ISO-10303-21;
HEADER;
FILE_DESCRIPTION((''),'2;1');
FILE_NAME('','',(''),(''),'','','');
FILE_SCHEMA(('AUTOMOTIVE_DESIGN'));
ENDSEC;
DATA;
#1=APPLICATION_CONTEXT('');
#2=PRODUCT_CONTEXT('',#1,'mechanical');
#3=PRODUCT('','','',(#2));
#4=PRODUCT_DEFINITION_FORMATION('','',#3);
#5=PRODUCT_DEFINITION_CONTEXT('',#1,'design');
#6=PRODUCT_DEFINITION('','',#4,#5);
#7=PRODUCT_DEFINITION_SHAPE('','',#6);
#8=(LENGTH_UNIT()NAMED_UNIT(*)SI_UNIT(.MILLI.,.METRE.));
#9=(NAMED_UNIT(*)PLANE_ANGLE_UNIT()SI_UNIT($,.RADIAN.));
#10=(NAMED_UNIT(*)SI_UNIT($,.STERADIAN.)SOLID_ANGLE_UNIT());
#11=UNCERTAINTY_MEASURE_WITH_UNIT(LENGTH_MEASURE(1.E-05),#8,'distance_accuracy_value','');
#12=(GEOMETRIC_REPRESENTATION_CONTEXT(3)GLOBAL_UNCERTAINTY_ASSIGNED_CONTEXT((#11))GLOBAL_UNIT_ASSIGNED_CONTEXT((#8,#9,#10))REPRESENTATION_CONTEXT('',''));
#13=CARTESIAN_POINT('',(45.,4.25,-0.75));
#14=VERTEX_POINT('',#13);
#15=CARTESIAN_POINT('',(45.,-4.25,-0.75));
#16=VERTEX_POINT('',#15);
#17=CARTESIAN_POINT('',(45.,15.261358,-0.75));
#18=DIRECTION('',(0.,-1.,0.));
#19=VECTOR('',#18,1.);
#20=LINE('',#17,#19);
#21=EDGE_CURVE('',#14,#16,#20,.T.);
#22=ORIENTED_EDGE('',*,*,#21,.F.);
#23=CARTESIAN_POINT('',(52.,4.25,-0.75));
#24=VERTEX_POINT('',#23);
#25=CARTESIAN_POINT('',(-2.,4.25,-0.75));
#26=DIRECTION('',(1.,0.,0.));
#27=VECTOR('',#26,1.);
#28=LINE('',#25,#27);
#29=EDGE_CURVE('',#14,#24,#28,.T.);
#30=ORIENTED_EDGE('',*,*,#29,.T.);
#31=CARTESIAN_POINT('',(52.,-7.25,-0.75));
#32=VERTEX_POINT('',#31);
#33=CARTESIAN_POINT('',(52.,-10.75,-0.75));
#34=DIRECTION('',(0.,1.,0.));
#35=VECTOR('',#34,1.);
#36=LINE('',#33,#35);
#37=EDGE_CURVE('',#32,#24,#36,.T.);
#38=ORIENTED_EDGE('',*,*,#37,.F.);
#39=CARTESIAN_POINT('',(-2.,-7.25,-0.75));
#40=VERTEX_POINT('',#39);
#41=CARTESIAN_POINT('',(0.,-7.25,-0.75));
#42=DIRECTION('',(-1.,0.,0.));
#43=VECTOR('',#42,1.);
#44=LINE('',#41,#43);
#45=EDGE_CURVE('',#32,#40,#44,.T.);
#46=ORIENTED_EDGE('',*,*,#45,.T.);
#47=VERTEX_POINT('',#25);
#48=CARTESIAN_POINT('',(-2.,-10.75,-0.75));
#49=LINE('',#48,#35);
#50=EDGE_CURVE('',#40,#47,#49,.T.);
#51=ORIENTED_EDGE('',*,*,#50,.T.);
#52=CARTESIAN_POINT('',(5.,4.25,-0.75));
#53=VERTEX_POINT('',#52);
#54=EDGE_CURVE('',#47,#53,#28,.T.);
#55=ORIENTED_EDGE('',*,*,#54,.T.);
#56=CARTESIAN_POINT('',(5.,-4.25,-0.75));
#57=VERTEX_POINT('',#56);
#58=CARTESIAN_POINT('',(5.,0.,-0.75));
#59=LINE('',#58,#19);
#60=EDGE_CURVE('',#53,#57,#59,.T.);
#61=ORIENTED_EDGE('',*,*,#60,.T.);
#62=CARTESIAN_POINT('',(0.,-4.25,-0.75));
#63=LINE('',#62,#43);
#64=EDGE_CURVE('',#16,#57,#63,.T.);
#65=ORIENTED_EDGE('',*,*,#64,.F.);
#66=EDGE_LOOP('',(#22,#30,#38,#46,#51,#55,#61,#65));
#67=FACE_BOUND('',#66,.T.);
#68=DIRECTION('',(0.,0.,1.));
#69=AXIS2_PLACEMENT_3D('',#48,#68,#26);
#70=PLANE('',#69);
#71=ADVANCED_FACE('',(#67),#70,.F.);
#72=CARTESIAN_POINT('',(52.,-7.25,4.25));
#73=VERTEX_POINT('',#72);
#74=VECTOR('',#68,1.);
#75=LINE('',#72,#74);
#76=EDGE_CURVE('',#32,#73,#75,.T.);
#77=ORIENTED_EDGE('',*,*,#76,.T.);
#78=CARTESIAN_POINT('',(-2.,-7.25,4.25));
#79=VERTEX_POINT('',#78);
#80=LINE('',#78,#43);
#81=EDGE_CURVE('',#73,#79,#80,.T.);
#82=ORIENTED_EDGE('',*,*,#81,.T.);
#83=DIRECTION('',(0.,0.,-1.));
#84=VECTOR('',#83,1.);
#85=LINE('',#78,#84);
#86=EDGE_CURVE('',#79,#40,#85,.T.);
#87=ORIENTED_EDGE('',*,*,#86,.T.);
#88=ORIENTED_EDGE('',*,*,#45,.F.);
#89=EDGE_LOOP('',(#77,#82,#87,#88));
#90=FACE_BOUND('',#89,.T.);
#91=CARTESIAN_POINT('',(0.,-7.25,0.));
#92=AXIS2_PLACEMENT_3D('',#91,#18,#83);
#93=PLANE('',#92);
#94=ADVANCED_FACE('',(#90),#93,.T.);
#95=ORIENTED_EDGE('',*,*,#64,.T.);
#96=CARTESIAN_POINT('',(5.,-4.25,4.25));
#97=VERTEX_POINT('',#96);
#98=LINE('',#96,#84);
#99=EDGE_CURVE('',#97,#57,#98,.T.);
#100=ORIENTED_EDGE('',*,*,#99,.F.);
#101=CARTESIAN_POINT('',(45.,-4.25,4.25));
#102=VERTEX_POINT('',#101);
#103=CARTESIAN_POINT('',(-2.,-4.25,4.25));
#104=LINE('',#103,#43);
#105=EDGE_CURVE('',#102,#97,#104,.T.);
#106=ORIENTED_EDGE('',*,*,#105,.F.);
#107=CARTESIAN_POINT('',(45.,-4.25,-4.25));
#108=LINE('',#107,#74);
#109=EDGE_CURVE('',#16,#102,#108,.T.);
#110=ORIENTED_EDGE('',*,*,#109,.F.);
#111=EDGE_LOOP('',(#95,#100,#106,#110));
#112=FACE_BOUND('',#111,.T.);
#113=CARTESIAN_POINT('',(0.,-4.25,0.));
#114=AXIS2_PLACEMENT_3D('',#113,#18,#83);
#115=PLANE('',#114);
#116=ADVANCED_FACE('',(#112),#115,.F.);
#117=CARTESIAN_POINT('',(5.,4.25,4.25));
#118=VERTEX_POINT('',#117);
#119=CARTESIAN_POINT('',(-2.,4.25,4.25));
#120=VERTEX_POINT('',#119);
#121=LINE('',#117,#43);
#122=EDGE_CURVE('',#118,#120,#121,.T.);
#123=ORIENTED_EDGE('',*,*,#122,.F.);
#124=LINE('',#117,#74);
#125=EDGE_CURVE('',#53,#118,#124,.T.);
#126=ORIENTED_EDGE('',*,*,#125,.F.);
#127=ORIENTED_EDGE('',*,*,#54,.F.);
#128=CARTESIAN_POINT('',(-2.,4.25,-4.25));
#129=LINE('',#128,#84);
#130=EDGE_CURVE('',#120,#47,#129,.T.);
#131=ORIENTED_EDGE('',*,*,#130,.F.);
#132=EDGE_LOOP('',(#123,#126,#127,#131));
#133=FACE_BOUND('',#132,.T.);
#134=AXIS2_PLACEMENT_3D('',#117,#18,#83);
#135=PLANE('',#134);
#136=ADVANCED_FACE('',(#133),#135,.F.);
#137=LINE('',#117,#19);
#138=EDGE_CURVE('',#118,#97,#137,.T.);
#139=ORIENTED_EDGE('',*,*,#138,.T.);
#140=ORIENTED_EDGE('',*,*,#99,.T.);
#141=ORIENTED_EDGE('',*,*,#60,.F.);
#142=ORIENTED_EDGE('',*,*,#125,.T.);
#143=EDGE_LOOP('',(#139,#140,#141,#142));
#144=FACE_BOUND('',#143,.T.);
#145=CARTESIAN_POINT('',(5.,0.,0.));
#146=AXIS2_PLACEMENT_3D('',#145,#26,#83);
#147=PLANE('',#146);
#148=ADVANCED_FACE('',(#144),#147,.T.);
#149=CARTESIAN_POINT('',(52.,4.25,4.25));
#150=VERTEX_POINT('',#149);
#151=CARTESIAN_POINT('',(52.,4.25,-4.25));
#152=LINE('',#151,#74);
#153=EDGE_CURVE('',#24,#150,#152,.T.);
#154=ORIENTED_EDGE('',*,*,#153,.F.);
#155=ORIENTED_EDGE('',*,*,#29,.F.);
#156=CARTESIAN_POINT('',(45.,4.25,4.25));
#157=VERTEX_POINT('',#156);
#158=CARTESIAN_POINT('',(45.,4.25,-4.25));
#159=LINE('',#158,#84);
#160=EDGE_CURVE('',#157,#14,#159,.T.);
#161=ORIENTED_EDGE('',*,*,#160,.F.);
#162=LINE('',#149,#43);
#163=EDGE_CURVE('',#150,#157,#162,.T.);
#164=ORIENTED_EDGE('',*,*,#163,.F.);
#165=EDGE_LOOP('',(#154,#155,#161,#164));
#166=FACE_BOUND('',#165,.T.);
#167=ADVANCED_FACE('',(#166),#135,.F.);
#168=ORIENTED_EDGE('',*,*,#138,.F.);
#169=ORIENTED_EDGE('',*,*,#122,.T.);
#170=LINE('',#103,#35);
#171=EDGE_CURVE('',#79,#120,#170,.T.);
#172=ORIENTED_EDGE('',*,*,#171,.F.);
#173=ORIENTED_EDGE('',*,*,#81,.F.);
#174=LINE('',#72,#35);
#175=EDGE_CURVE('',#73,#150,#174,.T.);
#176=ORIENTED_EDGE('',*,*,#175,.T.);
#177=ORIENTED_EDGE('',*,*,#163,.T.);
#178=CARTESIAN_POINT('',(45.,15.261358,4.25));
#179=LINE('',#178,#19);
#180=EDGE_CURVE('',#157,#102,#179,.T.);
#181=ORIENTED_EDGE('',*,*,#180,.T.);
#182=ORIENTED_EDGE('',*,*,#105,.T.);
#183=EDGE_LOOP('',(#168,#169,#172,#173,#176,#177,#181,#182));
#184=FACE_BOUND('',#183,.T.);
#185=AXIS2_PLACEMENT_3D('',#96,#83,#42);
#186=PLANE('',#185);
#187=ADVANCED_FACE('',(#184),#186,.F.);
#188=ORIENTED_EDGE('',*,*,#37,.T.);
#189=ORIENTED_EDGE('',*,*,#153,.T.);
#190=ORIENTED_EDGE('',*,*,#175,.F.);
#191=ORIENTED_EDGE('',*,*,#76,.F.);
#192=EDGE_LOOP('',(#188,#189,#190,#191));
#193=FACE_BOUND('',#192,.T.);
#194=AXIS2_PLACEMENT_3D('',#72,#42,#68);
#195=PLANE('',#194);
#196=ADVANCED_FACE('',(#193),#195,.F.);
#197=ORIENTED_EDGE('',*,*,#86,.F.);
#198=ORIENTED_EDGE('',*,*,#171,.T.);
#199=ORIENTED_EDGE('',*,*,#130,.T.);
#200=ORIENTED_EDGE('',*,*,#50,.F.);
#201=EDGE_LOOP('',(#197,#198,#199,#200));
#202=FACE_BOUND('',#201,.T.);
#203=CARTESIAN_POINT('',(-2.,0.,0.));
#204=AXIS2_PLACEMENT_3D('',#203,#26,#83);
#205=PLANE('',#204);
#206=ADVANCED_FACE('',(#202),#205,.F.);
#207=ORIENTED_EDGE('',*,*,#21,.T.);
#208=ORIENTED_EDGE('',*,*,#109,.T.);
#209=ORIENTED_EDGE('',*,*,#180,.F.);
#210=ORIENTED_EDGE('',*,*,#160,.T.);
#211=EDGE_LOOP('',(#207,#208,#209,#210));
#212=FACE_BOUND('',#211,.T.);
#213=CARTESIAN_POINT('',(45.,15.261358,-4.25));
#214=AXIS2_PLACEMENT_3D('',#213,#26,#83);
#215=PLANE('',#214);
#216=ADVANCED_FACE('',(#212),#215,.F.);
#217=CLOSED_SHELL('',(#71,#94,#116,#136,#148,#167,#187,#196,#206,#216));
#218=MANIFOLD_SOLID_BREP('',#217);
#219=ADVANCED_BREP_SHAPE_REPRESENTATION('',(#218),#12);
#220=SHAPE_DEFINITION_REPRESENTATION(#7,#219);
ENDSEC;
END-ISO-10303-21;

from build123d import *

# Parameters (mm, degrees)
SKETCH1_W           = 8.5
SKETCH1_H           = 8.5
BOSS_EXTRUDE1_DEPTH = 5
SKETCH2_W           = 8.5
SKETCH2_H           = 8.5
BOSS_EXTRUDE2_DEPTH = 2
SKETCH3_R           = 1.5
CUT_EXTRUDE1_DEPTH  = 2
SKETCH4_W           = 54
SKETCH4_H           = 8.5
BOSS_EXTRUDE3_DEPTH = 3
SKETCH5_W           = 7
SKETCH5_H           = 8.5
BOSS_EXTRUDE4_DEPTH = 8.5
SKETCH8_R           = 1.5
BOSS_EXTRUDE5_DEPTH = 2.5
SKETCH9_R           = 1.5
BOSS_EXTRUDE6_DEPTH = 2.5
SKETCH10_W          = 8.5
SKETCH10_H          = 8.5
BOSS_EXTRUDE7_DEPTH = 1
CUT_EXTRUDE4_DEPTH  = 0.5
CUT_EXTRUDE5_DEPTH  = 0.5
SKETCH14_W          = 8.5
SKETCH14_H          = 8.5
BOSS_EXTRUDE8_DEPTH = 8
SKETCH15_W          = 8.5
SKETCH15_H          = 8.5
CUT_EXTRUDE6_DEPTH  = 1
SKETCH16_W          = 54
SKETCH16_H          = 3.5
CUT_EXTRUDE7_DEPTH  = 15
SKETCH17_W          = 5
SKETCH17_H          = 8.5
BOSS_EXTRUDE9_DEPTH = 7


with BuildPart() as part:
    # Sketch1 → Boss-Extrude1 (new body)
    with BuildSketch(Plane(origin=(0, 0, 0), x_dir=(0, 0, -1), z_dir=(1, 0, 0))):
        Rectangle(SKETCH1_W, SKETCH1_H)
        Polygon((1.705, 2.953146627), (-1.705, 2.953146627), (-3.41, 0), (-1.705, -2.953146627), (1.705, -2.953146627), (3.41, 0), align=None, mode=Mode.SUBTRACT)
    extrude(amount=BOSS_EXTRUDE1_DEPTH)

    # Sketch2 → Boss-Extrude2 (add)
    with BuildSketch(Plane.ZY):
        Rectangle(SKETCH2_W, SKETCH2_H)
    extrude(amount=BOSS_EXTRUDE2_DEPTH)

    # Sketch3 → Cut-Extrude1 (cut)
    with BuildSketch(Plane(origin=(0, 0, 0), x_dir=(0, 0, -1), z_dir=(1, 0, 0))):
        Circle(SKETCH3_R)
    extrude(amount=-CUT_EXTRUDE1_DEPTH, mode=Mode.SUBTRACT)

    # Sketch4 → Boss-Extrude3 (add)
    with BuildSketch(Plane.XZ.offset(4.25)):
        with Locations((25, 0)):
            Rectangle(SKETCH4_W, SKETCH4_H)
    extrude(amount=BOSS_EXTRUDE3_DEPTH)

    # Sketch5 → Boss-Extrude4 (add)
    with BuildSketch(Plane(origin=(0, -4.25, 0), x_dir=(1, 0, 0), z_dir=(0, 1, 0))):
        with Locations((48.5, 0)):
            Rectangle(SKETCH5_W, SKETCH5_H)
    extrude(amount=BOSS_EXTRUDE4_DEPTH)

    # Sketch8 → Boss-Extrude5 (add)
    with BuildSketch(Plane(origin=(0, 0, 0), x_dir=(0, 0, -1), z_dir=(1, 0, 0))):
        Polygon((-1.705, 2.953146627), (-3.41, 0), (-1.705, -2.953146627), (1.705, -2.953146627), (3.41, 0), (1.705, 2.953146627), align=None)
        Circle(SKETCH8_R, mode=Mode.SUBTRACT)
    extrude(amount=BOSS_EXTRUDE5_DEPTH)

    # Sketch9 → Boss-Extrude6 (add)
    with BuildSketch(Plane.ZY.offset(-50)):
        Polygon((3.41, 0), (1.705, 2.953146627), (-1.705, 2.953146627), (-3.41, 0), (-1.705, -2.953146627), (1.705, -2.953146627), align=None)
        with Locations(Location((0, 0, 0), (0, 0, 180))):
            Circle(SKETCH9_R, mode=Mode.SUBTRACT)
    extrude(amount=BOSS_EXTRUDE6_DEPTH)

    # Sketch10 → Boss-Extrude7 (add)
    with BuildSketch(Plane(origin=(5, 0, 0), x_dir=(0, 0, -1), z_dir=(1, 0, 0))):
        Rectangle(SKETCH10_W, SKETCH10_H)
        Polygon((3.41, 0), (1.705, 2.953146627), (-1.705, 2.953146627), (-3.41, 0), (-1.705, -2.953146627), (1.705, -2.953146627), align=None, mode=Mode.SUBTRACT)
    extrude(amount=BOSS_EXTRUDE7_DEPTH)

    # Sketch12 → Cut-Extrude4 (cut)
    with BuildSketch(Plane(origin=(2.5, 0, 0), x_dir=(0, 0, -1), z_dir=(1, 0, 0))):
        Polygon((1.705, -2.953146627), (3.41, 0), (1.705, 2.953146627), (-1.705, 2.953146627), (-3.41, 0), (-1.705, -2.953146627), align=None)
    extrude(amount=-CUT_EXTRUDE4_DEPTH, mode=Mode.SUBTRACT)

    # Sketch13 → Cut-Extrude5 (cut)
    with BuildSketch(Plane.ZY.offset(-47.5)):
        Polygon((1.705, 2.953146627), (-1.705, 2.953146627), (-3.41, 0), (-1.705, -2.953146627), (1.705, -2.953146627), (3.41, 0), align=None)
    extrude(amount=-CUT_EXTRUDE5_DEPTH, mode=Mode.SUBTRACT)

    # Sketch14 → Boss-Extrude8 (add)
    with BuildSketch(Plane(origin=(6, 0, 0), x_dir=(0, 0, -1), z_dir=(1, 0, 0))):
        Rectangle(SKETCH14_W, SKETCH14_H)
    extrude(amount=-BOSS_EXTRUDE8_DEPTH)

    # Sketch15 → Cut-Extrude6 (cut)
    with BuildSketch(Plane(origin=(6, 0, 0), x_dir=(0, 0, -1), z_dir=(1, 0, 0))):
        Rectangle(SKETCH15_W, SKETCH15_H)
    extrude(amount=-CUT_EXTRUDE6_DEPTH, mode=Mode.SUBTRACT)

    # Sketch16 → Cut-Extrude7 (cut)
    with BuildSketch(Plane(origin=(0, 4.25, 0), x_dir=(1, 0, 0), z_dir=(0, 1, 0))):
        with Locations((25, 2.5)):
            Rectangle(SKETCH16_W, SKETCH16_H)
    extrude(amount=-CUT_EXTRUDE7_DEPTH, mode=Mode.SUBTRACT)

    # Sketch17 → Boss-Extrude9 (add)
    with BuildSketch(Plane.ZY.offset(-45)):
        with Locations((1.75, 0)):
            Rectangle(SKETCH17_W, SKETCH17_H)
    extrude(amount=-BOSS_EXTRUDE9_DEPTH)


solid = part.part
